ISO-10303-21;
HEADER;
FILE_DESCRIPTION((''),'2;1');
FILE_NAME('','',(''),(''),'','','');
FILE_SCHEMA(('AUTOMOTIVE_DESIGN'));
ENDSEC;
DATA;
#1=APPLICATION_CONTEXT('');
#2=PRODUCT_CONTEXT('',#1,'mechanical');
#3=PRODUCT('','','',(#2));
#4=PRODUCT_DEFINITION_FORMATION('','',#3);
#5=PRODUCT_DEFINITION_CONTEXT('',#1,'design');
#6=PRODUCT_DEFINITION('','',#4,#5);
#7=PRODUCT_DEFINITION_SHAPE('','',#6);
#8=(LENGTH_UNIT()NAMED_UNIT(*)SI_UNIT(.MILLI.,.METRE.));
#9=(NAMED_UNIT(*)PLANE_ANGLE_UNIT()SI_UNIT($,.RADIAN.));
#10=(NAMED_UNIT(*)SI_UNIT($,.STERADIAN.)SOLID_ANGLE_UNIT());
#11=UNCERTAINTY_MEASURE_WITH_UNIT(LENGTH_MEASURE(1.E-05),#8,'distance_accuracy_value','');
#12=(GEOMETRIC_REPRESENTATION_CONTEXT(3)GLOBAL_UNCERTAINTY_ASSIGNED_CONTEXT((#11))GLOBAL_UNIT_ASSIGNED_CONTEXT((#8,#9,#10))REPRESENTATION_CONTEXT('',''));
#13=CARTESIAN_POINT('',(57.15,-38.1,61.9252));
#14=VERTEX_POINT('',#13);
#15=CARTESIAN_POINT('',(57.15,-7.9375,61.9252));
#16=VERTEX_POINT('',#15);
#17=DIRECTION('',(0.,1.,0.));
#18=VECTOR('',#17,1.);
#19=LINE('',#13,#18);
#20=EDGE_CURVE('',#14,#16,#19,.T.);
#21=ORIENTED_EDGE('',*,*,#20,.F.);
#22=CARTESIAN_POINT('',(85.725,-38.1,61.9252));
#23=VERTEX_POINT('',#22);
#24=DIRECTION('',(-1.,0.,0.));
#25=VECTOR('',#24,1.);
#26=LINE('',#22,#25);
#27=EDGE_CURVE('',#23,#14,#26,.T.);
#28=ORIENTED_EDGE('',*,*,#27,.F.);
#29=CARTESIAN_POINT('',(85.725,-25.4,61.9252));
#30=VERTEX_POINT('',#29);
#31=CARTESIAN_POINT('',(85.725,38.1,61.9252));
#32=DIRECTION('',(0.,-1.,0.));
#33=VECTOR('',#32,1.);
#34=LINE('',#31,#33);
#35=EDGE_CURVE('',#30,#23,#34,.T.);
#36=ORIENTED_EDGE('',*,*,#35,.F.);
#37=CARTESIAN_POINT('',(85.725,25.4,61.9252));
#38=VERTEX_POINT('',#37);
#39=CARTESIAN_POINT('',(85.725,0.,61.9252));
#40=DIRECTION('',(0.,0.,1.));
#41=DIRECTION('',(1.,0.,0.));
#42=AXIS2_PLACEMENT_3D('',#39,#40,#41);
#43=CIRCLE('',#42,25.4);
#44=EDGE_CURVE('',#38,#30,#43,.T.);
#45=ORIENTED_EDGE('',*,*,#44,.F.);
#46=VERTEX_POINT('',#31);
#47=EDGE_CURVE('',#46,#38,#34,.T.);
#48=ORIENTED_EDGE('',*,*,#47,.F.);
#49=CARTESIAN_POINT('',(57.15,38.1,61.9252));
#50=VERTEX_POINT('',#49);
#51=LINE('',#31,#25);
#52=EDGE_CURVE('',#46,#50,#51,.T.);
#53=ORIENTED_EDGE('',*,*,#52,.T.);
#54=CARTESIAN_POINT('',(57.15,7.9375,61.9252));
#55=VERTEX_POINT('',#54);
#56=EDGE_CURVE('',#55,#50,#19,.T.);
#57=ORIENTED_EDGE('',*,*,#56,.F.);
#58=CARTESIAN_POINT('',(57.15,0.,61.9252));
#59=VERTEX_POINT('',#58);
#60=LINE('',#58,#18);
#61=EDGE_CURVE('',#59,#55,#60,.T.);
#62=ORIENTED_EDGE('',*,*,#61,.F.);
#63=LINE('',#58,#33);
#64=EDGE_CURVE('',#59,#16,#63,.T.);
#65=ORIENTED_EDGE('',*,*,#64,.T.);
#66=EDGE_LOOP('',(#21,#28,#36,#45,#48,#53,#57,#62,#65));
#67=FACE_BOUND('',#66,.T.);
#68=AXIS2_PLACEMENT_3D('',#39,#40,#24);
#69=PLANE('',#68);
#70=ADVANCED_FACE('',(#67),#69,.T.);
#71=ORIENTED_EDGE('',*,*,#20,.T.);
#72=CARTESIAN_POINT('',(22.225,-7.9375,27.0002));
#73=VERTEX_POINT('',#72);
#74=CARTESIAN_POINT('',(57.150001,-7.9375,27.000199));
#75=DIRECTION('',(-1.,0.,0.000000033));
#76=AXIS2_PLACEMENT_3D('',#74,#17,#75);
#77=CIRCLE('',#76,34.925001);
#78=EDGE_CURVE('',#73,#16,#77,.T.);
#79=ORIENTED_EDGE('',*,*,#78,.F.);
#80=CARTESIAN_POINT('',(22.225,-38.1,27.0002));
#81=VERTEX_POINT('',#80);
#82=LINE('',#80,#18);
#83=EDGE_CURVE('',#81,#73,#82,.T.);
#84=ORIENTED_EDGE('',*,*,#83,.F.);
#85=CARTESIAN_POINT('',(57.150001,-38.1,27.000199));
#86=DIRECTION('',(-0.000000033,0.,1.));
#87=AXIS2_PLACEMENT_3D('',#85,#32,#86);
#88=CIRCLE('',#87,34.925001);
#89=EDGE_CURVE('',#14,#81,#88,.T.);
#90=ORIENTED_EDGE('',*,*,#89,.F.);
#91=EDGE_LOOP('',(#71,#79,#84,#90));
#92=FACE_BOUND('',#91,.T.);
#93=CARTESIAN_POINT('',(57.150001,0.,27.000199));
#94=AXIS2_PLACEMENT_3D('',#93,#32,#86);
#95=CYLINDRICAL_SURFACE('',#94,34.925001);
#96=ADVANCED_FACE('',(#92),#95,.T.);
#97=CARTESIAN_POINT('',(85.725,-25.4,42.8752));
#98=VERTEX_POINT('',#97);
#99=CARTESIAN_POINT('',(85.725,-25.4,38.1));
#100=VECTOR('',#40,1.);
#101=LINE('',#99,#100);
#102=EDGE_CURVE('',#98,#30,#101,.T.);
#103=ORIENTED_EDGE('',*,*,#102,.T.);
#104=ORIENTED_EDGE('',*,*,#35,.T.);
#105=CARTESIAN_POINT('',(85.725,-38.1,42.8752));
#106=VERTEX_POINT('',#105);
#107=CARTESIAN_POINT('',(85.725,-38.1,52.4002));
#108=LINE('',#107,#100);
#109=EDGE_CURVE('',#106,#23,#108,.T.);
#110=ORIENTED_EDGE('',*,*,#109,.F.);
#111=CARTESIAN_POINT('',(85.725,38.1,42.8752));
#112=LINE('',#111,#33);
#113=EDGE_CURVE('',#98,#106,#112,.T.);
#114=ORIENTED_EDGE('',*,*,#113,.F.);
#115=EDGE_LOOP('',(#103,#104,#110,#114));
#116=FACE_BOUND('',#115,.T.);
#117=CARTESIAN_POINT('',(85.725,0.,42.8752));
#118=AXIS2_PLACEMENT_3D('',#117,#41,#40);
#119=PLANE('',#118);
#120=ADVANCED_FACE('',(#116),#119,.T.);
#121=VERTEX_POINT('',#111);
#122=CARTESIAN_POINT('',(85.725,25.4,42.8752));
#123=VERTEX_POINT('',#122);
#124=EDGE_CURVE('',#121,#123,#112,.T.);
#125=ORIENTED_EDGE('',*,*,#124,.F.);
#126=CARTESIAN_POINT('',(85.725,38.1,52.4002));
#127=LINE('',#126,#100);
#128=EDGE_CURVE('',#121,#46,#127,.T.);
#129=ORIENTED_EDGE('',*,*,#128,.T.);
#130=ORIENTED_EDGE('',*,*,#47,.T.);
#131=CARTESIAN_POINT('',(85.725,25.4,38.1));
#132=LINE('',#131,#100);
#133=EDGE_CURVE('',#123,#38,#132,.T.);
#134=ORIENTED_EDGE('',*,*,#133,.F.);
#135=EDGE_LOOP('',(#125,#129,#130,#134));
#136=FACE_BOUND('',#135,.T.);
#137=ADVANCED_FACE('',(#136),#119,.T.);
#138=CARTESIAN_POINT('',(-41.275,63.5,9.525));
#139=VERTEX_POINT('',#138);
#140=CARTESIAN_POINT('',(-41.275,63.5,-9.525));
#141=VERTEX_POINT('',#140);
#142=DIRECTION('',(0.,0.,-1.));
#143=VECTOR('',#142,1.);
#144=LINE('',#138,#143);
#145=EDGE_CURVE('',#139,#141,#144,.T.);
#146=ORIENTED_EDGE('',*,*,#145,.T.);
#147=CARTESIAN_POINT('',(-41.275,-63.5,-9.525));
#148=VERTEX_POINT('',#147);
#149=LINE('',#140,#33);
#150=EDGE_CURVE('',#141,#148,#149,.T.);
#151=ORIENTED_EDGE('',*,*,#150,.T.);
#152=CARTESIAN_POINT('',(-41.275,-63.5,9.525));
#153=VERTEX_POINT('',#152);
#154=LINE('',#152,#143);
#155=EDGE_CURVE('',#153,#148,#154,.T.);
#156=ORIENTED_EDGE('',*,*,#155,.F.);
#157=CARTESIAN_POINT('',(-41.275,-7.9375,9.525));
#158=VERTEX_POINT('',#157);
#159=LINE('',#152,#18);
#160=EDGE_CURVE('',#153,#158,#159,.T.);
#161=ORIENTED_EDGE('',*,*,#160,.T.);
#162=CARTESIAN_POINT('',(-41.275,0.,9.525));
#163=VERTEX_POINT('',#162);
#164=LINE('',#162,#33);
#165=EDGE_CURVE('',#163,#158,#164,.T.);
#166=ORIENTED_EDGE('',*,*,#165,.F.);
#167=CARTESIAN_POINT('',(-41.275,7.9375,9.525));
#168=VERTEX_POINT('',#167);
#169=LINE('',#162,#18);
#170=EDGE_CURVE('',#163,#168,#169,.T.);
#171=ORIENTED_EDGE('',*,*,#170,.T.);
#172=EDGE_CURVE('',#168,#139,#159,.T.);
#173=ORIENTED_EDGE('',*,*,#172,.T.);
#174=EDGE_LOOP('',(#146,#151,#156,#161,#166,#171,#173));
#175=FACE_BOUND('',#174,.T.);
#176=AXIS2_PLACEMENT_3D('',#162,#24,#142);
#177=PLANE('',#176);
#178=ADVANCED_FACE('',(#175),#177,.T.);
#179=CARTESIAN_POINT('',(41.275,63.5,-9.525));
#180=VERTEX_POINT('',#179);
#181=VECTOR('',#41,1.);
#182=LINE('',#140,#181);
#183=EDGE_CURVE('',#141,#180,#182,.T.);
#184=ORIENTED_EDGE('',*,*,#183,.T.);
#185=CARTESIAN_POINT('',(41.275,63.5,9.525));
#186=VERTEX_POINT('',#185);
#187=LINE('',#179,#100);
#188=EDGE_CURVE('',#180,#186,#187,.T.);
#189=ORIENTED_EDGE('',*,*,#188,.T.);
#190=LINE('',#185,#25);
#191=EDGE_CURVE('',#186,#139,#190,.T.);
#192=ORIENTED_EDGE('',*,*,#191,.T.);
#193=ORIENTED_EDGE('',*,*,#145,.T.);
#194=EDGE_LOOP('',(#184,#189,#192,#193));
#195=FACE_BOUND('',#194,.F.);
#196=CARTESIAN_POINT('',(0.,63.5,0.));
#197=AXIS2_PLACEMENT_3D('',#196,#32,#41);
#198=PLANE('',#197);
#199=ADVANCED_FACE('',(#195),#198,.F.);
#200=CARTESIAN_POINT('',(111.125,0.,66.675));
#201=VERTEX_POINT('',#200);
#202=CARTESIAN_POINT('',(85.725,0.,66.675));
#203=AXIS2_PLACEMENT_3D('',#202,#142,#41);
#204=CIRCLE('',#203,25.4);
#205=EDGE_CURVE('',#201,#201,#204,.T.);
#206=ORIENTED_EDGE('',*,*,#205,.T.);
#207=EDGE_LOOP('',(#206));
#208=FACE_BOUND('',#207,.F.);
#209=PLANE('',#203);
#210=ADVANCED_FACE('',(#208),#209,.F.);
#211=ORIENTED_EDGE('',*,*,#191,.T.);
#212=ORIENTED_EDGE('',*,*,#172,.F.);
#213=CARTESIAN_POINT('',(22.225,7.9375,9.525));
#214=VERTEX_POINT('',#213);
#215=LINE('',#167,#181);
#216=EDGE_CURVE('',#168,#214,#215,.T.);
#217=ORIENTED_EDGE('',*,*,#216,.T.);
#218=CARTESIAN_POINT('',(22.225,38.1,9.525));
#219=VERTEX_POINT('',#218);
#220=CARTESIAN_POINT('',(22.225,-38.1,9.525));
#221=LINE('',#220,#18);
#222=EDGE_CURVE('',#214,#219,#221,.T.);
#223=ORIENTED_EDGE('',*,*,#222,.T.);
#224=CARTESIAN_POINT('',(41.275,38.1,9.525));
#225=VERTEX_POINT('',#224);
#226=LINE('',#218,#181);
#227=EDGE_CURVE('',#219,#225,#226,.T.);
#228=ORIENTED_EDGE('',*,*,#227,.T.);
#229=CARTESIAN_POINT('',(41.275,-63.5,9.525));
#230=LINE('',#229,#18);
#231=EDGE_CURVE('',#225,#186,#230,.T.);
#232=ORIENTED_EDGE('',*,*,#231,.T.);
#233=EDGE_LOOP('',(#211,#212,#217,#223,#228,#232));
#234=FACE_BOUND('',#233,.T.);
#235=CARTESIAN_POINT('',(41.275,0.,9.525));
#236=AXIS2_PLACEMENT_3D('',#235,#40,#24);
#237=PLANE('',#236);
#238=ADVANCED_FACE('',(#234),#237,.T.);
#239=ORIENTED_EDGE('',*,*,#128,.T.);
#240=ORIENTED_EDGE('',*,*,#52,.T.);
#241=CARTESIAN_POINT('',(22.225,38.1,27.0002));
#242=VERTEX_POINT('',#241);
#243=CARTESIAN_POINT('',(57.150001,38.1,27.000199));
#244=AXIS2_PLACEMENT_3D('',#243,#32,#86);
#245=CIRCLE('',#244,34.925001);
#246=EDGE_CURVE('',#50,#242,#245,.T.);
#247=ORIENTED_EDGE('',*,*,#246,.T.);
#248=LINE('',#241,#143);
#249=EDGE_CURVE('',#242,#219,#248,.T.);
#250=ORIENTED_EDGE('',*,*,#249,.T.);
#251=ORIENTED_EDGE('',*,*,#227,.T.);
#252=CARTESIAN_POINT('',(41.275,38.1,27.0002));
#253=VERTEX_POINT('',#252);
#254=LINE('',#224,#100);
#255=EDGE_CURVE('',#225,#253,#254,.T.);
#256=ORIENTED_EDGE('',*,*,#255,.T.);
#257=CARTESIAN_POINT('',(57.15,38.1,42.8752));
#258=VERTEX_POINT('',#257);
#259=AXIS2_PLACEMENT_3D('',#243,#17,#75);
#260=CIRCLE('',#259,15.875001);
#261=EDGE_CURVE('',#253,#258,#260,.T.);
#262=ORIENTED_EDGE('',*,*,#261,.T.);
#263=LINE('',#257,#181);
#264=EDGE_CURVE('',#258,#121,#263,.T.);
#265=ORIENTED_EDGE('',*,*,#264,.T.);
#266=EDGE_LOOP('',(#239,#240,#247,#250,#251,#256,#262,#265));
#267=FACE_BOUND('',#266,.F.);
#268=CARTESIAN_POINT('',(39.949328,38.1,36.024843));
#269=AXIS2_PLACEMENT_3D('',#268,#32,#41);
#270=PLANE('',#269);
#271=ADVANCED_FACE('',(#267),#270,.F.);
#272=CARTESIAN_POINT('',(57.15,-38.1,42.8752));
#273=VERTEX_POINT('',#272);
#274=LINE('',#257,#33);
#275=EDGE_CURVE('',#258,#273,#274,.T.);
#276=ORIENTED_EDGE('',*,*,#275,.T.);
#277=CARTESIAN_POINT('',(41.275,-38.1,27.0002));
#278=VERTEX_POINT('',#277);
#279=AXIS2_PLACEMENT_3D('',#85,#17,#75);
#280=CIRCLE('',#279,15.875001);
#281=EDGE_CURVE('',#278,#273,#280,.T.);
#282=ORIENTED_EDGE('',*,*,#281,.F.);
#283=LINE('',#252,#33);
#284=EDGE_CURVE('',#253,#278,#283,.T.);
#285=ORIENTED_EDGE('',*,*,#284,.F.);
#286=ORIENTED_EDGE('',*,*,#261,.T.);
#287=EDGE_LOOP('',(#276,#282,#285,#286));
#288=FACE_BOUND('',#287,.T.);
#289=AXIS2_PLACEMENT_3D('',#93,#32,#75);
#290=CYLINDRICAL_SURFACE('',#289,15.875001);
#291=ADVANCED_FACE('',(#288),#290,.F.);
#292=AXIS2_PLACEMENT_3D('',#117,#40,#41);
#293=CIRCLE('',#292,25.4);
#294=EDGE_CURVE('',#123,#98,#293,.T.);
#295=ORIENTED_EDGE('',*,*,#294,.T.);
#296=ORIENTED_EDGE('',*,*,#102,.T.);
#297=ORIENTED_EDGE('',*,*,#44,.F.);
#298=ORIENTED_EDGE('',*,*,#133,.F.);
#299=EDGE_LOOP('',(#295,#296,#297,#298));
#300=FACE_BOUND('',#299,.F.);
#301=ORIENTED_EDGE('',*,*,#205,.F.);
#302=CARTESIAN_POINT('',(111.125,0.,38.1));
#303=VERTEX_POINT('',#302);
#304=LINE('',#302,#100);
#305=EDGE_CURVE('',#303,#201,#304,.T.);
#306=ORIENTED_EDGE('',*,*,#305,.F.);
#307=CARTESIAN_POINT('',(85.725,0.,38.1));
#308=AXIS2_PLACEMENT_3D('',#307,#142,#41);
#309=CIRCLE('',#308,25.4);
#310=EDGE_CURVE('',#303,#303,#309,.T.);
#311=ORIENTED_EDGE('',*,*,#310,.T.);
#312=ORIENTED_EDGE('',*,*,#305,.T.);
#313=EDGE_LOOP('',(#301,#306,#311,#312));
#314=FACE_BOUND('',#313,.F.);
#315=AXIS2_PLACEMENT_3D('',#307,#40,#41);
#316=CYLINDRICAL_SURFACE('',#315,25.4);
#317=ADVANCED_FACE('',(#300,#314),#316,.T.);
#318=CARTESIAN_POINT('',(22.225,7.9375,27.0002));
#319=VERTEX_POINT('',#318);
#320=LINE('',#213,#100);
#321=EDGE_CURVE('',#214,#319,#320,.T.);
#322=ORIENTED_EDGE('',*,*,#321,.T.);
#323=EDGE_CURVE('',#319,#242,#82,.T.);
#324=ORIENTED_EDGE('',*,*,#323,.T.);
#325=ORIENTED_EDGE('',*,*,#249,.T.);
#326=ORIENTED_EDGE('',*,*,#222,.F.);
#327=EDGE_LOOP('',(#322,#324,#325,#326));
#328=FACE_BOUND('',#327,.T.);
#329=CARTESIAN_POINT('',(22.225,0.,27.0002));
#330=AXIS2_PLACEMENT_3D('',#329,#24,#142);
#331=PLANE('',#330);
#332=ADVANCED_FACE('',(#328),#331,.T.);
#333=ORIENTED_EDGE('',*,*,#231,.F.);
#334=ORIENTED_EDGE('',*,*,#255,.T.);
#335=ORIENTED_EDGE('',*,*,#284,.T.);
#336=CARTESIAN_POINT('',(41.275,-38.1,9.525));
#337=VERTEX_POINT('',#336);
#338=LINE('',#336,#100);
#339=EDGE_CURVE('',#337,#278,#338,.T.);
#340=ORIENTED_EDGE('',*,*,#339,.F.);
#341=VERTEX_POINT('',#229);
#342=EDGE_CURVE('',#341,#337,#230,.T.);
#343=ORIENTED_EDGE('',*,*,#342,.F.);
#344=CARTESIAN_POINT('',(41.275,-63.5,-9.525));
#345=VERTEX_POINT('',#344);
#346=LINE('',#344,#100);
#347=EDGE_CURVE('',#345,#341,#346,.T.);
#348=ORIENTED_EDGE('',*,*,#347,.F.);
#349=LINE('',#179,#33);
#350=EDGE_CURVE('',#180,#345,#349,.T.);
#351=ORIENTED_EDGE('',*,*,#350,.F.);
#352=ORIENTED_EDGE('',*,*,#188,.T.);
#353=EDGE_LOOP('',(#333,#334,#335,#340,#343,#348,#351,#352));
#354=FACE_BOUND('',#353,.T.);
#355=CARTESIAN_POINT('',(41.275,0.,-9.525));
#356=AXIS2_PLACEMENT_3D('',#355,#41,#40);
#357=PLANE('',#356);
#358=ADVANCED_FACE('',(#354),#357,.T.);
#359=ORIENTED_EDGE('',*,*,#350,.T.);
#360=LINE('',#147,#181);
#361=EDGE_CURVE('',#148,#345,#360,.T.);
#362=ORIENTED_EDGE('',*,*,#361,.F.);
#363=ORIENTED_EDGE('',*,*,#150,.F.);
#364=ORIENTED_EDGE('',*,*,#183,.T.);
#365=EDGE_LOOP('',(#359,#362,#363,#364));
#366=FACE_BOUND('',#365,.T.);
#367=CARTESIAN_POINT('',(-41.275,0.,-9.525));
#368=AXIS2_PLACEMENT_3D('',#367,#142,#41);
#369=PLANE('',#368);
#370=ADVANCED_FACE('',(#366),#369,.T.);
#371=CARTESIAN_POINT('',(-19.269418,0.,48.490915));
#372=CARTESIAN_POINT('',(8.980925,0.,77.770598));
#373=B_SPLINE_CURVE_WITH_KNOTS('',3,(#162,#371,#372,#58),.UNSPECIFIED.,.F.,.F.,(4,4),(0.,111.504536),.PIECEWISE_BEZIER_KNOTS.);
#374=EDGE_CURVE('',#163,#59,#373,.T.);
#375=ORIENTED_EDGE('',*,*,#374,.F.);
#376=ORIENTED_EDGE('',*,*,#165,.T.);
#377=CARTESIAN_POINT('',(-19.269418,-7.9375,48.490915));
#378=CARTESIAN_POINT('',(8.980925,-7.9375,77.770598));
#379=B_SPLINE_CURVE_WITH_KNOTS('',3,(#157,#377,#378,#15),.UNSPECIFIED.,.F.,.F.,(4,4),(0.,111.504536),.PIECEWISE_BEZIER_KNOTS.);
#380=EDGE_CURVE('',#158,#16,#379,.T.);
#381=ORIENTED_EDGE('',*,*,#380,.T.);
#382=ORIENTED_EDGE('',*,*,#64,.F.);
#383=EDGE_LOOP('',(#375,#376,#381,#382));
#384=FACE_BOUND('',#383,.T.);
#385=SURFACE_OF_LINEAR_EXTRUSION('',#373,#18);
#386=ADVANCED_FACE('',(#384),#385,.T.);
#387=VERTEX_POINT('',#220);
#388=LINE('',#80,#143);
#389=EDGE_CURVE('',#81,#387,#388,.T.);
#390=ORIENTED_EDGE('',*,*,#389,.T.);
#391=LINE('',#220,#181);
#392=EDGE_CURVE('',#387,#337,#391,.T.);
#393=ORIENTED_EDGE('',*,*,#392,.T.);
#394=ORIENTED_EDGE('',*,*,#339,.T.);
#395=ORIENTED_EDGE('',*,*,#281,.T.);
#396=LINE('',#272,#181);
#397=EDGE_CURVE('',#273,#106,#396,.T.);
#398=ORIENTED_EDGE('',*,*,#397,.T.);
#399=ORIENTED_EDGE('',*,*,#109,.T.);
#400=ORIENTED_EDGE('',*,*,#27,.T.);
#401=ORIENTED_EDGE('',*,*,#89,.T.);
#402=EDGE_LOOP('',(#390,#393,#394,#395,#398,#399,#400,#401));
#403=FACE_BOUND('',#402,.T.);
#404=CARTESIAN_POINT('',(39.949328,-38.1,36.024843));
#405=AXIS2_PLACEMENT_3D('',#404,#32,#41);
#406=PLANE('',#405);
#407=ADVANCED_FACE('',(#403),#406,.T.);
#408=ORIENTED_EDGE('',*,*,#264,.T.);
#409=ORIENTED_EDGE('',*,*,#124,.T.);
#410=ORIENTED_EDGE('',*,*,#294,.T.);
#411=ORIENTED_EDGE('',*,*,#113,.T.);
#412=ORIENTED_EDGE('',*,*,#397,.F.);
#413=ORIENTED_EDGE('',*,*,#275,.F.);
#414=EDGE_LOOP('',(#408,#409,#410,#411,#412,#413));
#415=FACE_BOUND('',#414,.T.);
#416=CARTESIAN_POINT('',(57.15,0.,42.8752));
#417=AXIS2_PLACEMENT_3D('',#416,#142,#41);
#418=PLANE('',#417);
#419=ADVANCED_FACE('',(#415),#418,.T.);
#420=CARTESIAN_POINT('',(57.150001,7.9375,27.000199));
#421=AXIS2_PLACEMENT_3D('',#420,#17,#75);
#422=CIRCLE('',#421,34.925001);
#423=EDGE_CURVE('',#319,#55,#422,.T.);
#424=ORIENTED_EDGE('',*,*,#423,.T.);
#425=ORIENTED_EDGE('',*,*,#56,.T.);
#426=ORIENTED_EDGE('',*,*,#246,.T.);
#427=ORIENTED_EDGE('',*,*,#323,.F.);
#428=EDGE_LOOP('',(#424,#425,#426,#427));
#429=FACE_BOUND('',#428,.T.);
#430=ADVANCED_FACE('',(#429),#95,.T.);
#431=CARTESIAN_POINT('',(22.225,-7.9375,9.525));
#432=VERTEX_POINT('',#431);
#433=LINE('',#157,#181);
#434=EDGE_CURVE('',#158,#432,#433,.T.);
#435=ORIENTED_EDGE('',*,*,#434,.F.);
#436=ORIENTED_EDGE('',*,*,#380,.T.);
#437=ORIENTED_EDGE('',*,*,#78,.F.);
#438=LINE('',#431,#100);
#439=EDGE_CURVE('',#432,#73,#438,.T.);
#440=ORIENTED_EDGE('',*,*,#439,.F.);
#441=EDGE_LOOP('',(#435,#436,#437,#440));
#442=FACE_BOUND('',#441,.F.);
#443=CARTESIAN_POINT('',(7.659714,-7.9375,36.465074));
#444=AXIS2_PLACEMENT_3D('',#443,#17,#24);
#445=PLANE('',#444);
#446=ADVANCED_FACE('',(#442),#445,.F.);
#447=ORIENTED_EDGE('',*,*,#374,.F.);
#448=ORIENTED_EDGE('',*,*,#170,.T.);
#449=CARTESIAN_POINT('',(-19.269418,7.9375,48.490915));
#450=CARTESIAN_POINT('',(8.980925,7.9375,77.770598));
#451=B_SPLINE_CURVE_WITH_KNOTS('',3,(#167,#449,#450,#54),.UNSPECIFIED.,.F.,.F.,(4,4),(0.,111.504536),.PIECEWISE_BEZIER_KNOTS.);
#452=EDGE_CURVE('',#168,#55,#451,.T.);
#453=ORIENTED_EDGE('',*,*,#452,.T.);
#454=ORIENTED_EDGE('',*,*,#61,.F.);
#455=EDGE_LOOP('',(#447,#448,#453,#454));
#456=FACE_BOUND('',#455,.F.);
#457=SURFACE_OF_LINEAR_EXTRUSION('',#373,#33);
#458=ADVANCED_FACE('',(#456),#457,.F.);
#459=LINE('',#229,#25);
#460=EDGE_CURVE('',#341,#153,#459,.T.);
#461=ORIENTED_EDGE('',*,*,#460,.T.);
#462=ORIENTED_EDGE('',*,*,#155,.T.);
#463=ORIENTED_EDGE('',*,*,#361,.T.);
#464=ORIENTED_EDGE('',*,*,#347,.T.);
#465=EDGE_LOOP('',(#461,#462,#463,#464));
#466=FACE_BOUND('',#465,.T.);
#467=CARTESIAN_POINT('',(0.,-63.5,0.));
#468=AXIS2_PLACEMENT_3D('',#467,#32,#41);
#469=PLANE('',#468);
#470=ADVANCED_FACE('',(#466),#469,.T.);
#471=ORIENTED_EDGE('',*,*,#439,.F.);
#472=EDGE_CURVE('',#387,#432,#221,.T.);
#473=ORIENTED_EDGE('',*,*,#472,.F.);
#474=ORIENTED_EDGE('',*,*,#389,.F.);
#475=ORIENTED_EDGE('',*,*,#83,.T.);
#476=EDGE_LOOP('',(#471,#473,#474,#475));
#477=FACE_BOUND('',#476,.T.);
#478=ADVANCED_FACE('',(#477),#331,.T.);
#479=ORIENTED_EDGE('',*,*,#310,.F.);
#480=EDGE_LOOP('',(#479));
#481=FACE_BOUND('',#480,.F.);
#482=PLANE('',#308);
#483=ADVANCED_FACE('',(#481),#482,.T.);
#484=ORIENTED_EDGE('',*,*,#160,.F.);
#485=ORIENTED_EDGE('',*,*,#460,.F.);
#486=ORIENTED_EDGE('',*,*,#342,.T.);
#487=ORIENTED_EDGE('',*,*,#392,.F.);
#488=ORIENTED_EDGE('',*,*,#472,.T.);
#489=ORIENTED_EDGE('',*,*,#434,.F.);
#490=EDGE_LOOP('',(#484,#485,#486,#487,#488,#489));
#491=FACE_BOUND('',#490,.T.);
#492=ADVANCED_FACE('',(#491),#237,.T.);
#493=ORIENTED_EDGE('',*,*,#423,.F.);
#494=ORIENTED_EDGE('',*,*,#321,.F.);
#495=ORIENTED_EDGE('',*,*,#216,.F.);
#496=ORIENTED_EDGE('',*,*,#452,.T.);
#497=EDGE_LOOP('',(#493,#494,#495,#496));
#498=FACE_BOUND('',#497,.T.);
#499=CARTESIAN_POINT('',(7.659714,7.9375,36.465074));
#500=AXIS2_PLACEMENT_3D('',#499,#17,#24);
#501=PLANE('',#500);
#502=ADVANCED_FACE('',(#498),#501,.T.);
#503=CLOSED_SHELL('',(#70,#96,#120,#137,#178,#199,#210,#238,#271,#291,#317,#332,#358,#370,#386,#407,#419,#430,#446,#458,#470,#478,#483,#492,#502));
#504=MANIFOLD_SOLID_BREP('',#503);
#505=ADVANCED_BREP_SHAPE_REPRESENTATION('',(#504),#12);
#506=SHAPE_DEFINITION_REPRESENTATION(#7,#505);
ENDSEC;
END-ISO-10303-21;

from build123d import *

# Parameters (mm, degrees)
F1_DEPTH = 63.5
F2_DEPTH = 7.9375
F0_W     = 25.4
F0_H     = 19.05
F3_DEPTH = 38.1


with BuildPart() as f1:
    # F0 (on Front) → F1 (new body, symmetric)
    with BuildSketch(Plane.XZ):
        Polygon((-41.275, 9.525), (-41.275, -9.525), (41.275, -9.525), (41.275, 9.525), (22.225, 9.525), align=None)
    extrude(amount=F1_DEPTH, both=True)

    # F0 (on Front) → F2 (join, symmetric)
    with BuildSketch(Plane.XZ):
        with BuildLine():
            add(Edge.make_bspline(
                [(-41.275, 9.525), (-19.269418, 48.490915), (8.980925, 77.770598), (57.15, 61.9252)],
                knots=[0, 0, 0, 0, 111.504536, 111.504536, 111.504536, 111.504536], degree=3))
            Line((-41.275, 9.525), (22.225, 9.525))
            Line((22.225, 9.525), (22.225, 27.0002))
            ThreePointArc((22.225, 27.0002), (32.454296, 51.695904), (57.15, 61.9252))
        make_face()
    extrude(amount=F2_DEPTH, both=True)

    # F0 (on Front) → F3 (join, symmetric)
    with BuildSketch(Plane.XZ):
        with BuildLine():
            Line((22.225, 9.525), (41.275, 9.525))
            Line((41.275, 9.525), (41.275, 27.0002))
            ThreePointArc((41.275, 27.0002), (45.92468, 38.22552), (57.15, 42.8752))
            Line((57.15, 42.8752), (60.325, 42.8752))
            Line((60.325, 42.8752), (60.325, 61.9252))
            Line((60.325, 61.9252), (57.15, 61.9252))
            ThreePointArc((57.15, 61.9252), (32.454296, 51.695904), (22.225, 27.0002))
            Line((22.225, 27.0002), (22.225, 9.525))
        make_face()
        with Locations((73.025, 52.4002)):
            Rectangle(F0_W, F0_H)
    extrude(amount=F3_DEPTH, both=True)

    # F0 (on Front) → F4 (revolve)
    with BuildSketch(Plane.XZ):
        Polygon((85.725, 66.675), (85.725, 61.9252), (85.725, 42.8752), (85.725, 38.1), (111.125, 38.1), (111.125, 66.675), align=None)
    revolve(axis=Axis((85.725, 0, 52.4002), (0, 0, -1)))


solid = f1.part
